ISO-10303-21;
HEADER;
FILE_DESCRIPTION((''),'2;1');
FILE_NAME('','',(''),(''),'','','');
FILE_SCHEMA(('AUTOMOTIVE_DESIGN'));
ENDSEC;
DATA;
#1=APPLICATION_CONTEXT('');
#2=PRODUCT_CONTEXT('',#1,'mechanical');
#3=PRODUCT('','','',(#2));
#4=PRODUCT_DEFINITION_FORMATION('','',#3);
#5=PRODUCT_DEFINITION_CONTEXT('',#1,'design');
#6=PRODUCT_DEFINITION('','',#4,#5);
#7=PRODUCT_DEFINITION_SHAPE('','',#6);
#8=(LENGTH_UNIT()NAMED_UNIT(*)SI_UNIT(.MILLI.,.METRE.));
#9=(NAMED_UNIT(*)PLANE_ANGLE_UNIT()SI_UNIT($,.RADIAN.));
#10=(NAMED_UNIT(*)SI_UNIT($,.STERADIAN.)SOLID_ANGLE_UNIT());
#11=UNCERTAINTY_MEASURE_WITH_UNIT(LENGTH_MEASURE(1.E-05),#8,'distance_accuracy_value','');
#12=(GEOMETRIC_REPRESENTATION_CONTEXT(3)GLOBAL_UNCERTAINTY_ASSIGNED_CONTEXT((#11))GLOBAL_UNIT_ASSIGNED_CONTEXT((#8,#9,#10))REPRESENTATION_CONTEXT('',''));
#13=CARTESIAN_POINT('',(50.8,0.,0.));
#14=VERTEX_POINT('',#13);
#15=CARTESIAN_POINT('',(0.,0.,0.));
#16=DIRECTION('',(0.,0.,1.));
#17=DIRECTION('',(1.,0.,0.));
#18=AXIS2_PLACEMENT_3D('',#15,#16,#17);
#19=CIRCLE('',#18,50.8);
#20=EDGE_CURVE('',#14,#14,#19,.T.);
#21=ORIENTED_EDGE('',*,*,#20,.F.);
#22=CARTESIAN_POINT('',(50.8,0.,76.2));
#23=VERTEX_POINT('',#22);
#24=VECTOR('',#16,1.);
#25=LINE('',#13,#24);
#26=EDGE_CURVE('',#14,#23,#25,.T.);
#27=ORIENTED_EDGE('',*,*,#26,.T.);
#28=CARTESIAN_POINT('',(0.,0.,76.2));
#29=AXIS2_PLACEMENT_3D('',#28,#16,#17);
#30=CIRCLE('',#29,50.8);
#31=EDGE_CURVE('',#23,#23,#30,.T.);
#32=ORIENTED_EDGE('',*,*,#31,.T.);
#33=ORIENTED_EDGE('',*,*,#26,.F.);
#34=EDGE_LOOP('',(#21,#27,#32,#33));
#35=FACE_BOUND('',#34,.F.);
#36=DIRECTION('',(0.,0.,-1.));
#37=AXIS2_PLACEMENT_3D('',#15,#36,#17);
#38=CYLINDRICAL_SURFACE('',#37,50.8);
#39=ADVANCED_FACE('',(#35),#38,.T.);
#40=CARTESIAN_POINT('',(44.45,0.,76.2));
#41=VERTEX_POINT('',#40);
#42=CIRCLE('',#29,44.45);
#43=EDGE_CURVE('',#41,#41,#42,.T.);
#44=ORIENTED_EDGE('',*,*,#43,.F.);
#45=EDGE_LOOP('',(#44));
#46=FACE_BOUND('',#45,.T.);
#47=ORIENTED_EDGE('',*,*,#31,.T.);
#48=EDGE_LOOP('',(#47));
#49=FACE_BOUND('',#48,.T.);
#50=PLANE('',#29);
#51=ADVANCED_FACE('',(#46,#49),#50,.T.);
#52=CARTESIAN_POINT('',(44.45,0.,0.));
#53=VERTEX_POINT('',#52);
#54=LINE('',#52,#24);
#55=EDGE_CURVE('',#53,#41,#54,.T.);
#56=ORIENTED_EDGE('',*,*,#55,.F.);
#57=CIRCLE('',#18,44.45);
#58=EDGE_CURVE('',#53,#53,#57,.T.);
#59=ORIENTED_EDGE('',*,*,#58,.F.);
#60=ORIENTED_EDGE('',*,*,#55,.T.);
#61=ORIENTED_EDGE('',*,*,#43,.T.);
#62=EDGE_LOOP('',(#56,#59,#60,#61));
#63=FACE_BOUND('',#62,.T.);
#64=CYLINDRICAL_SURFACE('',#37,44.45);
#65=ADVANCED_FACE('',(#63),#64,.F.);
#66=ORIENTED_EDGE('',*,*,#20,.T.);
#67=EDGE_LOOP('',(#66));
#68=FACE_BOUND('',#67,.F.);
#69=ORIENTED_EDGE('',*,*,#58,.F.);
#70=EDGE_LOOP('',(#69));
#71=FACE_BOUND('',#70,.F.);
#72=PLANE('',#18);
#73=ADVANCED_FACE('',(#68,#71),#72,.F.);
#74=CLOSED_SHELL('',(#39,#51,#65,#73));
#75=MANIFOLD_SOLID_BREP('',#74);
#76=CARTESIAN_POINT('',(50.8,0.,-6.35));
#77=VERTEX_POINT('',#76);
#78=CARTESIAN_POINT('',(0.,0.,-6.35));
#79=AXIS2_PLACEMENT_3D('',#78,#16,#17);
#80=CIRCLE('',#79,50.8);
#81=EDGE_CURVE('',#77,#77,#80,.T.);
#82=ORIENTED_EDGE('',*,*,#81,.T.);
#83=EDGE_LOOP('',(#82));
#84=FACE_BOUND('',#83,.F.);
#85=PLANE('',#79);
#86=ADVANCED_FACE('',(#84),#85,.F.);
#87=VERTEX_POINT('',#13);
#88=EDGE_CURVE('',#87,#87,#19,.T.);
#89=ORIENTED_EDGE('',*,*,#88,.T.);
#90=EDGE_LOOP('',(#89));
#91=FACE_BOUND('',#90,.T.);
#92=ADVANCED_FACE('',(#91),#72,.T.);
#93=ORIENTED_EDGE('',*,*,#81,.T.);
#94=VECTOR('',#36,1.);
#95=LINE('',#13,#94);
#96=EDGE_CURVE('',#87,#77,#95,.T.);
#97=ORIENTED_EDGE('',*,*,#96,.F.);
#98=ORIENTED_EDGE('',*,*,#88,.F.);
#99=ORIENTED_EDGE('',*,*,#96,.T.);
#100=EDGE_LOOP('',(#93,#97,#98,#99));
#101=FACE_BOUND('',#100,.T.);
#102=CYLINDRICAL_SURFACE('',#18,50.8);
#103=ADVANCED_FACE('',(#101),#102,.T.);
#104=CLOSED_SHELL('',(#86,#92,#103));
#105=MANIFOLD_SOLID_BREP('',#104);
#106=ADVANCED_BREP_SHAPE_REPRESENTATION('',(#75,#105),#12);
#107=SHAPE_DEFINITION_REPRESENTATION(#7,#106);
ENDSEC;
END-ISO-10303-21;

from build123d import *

# Parameters (mm, degrees)
F0_R     = 50.8
F0_R_2   = 44.45
F1_DEPTH = 76.2
F2_R     = 50.8
F3_DEPTH = 6.35


with BuildPart() as f1:
    # F0 (on Top) → F1 (new body)
    with BuildSketch(Plane.XY):
        Circle(F0_R)
        Circle(F0_R_2, mode=Mode.SUBTRACT)
    extrude(amount=F1_DEPTH)


with BuildPart() as f3:
    # F2 (on Top) → F3 (new body)
    with BuildSketch(Plane.XY):
        Circle(F2_R)
    extrude(amount=-F3_DEPTH)


solid = Compound([f1.part, f3.part])
